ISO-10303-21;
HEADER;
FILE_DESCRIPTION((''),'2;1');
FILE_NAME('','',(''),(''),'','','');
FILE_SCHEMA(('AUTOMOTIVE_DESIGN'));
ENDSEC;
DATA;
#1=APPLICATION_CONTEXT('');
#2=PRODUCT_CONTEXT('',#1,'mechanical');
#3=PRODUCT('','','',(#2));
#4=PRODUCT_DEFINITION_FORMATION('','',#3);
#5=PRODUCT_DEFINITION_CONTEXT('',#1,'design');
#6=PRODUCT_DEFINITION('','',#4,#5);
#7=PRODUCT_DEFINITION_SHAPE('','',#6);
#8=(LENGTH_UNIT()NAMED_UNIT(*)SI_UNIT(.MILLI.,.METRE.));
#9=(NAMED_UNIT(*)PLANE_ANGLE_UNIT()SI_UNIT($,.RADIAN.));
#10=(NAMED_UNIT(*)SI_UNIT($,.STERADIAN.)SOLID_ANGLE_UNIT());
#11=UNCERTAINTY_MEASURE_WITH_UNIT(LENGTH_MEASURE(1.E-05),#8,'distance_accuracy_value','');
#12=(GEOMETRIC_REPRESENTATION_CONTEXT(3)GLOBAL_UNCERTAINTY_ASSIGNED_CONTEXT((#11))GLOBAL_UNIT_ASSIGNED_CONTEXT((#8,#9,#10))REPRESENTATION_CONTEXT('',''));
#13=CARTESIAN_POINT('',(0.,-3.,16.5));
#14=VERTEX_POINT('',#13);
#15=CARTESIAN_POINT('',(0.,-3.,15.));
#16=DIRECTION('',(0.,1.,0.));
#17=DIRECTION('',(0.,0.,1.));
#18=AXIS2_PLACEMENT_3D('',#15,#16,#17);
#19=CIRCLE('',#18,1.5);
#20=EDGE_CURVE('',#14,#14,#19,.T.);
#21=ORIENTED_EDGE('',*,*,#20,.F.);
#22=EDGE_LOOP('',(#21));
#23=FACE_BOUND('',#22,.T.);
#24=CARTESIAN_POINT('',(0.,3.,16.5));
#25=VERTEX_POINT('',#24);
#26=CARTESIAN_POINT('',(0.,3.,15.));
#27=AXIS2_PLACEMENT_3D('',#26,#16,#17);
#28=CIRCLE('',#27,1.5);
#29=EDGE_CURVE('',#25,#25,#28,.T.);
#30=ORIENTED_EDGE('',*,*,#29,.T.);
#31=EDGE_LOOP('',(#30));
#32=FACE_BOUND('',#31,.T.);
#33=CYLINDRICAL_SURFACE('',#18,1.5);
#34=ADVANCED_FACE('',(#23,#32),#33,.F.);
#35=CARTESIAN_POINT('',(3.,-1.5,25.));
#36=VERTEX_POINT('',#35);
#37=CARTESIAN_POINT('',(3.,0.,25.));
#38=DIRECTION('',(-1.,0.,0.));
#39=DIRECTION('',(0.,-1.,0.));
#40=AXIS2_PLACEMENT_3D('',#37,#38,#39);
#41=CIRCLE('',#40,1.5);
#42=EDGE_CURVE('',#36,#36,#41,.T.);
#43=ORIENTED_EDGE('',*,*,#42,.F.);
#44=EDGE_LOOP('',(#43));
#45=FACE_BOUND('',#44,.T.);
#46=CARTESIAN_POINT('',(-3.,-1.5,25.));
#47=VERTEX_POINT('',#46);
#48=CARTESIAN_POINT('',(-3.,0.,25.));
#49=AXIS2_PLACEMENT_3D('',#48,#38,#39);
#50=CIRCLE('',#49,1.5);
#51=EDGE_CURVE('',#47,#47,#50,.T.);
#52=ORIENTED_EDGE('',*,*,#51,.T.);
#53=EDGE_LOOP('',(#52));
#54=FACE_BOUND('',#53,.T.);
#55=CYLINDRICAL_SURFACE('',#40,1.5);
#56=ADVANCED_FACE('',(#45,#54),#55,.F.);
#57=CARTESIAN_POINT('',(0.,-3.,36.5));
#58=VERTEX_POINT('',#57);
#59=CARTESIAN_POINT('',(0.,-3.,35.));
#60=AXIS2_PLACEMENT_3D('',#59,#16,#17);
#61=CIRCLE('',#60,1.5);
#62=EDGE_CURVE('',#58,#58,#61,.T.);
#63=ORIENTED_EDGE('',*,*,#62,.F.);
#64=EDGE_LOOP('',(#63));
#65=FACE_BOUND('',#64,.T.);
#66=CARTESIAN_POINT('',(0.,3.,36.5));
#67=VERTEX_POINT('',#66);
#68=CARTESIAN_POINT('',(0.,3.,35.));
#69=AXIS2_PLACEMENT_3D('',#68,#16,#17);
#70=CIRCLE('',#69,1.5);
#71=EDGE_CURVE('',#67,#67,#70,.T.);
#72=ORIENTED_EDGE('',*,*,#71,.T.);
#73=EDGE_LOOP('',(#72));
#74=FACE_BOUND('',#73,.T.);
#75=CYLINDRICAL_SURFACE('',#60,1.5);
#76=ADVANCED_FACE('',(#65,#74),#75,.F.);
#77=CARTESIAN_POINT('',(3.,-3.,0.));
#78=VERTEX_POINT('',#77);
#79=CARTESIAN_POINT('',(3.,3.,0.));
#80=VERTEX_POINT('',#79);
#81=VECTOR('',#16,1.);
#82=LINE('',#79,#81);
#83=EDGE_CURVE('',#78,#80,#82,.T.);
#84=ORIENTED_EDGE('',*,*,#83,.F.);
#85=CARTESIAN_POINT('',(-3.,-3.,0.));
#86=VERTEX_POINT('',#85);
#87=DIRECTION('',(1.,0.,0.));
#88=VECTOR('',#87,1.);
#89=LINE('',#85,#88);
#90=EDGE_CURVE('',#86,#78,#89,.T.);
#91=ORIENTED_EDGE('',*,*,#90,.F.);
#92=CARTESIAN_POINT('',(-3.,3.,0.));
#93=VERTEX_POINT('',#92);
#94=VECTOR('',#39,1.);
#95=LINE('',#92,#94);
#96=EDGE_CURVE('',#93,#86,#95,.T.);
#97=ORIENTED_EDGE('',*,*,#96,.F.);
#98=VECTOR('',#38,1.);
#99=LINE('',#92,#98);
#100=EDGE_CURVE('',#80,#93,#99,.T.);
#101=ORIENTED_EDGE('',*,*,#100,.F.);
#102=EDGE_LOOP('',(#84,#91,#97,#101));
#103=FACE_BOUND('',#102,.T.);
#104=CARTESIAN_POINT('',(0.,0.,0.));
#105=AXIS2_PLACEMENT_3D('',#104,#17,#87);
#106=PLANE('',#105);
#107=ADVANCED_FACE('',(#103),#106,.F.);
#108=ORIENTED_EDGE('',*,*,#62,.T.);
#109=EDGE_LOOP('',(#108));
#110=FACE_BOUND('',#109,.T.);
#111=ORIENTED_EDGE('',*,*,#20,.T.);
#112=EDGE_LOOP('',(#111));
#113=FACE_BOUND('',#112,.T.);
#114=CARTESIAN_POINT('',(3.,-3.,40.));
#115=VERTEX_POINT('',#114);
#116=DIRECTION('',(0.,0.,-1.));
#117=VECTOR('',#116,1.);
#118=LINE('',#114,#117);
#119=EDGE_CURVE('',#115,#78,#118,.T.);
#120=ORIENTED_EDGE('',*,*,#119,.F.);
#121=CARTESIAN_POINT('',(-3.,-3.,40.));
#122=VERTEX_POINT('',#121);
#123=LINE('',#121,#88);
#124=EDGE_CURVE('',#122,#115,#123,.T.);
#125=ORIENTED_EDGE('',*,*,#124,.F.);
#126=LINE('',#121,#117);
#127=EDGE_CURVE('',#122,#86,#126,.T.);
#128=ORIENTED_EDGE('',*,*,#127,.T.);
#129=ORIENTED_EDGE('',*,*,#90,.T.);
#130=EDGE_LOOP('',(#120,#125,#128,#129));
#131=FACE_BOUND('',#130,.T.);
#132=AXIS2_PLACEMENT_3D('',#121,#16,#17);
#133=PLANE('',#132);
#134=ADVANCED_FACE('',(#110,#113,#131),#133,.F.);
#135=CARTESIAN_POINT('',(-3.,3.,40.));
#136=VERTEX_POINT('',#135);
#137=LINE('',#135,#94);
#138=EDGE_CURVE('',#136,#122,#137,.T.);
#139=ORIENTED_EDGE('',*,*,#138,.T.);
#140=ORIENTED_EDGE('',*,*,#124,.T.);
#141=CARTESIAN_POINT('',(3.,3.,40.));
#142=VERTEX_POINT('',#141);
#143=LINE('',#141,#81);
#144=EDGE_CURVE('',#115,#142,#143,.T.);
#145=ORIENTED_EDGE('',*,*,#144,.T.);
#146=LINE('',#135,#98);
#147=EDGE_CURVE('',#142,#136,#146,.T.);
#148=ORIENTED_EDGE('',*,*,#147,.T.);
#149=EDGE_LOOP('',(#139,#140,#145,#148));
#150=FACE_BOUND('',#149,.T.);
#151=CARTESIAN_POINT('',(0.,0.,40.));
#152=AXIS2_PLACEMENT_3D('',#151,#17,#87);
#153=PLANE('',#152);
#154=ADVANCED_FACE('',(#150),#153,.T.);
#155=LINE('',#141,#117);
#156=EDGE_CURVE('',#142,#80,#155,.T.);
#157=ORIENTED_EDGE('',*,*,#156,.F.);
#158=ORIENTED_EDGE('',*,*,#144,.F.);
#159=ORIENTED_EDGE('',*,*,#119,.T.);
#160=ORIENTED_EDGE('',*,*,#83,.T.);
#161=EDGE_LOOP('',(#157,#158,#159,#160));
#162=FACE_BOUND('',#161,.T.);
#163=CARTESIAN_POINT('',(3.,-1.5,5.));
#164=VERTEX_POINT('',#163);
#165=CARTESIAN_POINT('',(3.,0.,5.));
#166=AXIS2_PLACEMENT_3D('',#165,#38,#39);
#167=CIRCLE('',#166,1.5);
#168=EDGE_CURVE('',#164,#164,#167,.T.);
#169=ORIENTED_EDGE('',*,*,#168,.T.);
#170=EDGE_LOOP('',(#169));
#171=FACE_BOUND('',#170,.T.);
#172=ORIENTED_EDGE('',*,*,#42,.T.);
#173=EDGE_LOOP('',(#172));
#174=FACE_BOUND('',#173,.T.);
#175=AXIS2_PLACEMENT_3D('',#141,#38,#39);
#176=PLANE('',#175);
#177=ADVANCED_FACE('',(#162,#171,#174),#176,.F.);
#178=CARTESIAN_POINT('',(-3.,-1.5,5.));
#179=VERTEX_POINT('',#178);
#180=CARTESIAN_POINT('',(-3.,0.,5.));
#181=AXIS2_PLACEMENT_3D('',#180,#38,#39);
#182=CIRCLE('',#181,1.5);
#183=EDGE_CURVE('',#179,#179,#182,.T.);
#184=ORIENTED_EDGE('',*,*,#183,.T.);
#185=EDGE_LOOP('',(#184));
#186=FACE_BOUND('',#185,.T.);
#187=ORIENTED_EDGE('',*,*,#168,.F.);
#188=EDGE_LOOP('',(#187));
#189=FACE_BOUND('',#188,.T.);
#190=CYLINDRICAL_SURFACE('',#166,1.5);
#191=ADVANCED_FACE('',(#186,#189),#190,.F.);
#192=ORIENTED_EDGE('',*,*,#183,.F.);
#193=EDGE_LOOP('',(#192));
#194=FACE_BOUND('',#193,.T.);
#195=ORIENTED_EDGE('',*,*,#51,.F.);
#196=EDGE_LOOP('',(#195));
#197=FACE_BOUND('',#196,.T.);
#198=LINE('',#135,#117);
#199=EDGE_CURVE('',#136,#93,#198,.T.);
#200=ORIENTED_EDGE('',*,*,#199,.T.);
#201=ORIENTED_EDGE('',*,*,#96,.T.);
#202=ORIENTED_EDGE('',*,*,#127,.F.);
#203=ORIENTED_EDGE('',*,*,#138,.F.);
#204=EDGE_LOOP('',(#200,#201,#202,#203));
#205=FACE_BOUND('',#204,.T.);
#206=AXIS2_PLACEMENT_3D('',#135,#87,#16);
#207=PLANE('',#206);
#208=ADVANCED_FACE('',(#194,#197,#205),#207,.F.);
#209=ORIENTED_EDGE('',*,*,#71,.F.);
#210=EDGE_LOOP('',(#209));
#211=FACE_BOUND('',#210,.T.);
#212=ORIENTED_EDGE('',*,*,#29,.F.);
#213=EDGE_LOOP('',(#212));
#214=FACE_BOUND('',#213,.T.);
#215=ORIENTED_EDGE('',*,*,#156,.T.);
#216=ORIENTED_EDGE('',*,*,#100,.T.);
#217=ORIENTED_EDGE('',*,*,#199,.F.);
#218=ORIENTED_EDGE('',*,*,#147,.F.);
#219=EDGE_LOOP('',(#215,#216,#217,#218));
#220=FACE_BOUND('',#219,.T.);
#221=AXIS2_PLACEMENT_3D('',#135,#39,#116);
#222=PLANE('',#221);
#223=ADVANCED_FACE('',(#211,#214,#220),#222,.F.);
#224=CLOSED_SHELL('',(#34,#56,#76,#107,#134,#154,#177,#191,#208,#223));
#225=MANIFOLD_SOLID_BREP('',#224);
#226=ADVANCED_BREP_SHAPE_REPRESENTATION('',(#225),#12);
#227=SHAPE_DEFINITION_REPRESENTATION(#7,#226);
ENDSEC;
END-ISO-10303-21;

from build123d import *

# Parameters (mm, degrees)
SKETCH_1_W          = 6
SKETCH_1_H          = 6
EXTRUDE_1_DEPTH     = 40
SKETCH_2_R          = 1.5
CUT_EXTRUDE_1_DEPTH = 7
SKETCH_3_R          = 1.5
CUT_EXTRUDE_2_DEPTH = 7


with BuildPart() as part:
    # 草图1 → 凸台-拉伸1 (new body)
    with BuildSketch(Plane.XY):
        Rectangle(SKETCH_1_W, SKETCH_1_H)
    extrude(amount=EXTRUDE_1_DEPTH)

    # 草图2 → 切除-拉伸1 (cut, through all)
    with BuildSketch(Plane.ZY.offset(3)):
        with Locations((5, 0)):
            Circle(SKETCH_2_R)
        with Locations((25, 0)):
            Circle(SKETCH_2_R)
    extrude(amount=-CUT_EXTRUDE_1_DEPTH, mode=Mode.SUBTRACT)

    # 草图3 → 切除-拉伸2 (cut, through all)
    with BuildSketch(Plane(origin=(0, 3, 0), x_dir=(1, 0, 0), z_dir=(0, 1, 0))):
        with Locations((0, -15)):
            Circle(SKETCH_3_R)
        with Locations((0, -35)):
            Circle(SKETCH_3_R)
    extrude(amount=-CUT_EXTRUDE_2_DEPTH, mode=Mode.SUBTRACT)


solid = part.part
